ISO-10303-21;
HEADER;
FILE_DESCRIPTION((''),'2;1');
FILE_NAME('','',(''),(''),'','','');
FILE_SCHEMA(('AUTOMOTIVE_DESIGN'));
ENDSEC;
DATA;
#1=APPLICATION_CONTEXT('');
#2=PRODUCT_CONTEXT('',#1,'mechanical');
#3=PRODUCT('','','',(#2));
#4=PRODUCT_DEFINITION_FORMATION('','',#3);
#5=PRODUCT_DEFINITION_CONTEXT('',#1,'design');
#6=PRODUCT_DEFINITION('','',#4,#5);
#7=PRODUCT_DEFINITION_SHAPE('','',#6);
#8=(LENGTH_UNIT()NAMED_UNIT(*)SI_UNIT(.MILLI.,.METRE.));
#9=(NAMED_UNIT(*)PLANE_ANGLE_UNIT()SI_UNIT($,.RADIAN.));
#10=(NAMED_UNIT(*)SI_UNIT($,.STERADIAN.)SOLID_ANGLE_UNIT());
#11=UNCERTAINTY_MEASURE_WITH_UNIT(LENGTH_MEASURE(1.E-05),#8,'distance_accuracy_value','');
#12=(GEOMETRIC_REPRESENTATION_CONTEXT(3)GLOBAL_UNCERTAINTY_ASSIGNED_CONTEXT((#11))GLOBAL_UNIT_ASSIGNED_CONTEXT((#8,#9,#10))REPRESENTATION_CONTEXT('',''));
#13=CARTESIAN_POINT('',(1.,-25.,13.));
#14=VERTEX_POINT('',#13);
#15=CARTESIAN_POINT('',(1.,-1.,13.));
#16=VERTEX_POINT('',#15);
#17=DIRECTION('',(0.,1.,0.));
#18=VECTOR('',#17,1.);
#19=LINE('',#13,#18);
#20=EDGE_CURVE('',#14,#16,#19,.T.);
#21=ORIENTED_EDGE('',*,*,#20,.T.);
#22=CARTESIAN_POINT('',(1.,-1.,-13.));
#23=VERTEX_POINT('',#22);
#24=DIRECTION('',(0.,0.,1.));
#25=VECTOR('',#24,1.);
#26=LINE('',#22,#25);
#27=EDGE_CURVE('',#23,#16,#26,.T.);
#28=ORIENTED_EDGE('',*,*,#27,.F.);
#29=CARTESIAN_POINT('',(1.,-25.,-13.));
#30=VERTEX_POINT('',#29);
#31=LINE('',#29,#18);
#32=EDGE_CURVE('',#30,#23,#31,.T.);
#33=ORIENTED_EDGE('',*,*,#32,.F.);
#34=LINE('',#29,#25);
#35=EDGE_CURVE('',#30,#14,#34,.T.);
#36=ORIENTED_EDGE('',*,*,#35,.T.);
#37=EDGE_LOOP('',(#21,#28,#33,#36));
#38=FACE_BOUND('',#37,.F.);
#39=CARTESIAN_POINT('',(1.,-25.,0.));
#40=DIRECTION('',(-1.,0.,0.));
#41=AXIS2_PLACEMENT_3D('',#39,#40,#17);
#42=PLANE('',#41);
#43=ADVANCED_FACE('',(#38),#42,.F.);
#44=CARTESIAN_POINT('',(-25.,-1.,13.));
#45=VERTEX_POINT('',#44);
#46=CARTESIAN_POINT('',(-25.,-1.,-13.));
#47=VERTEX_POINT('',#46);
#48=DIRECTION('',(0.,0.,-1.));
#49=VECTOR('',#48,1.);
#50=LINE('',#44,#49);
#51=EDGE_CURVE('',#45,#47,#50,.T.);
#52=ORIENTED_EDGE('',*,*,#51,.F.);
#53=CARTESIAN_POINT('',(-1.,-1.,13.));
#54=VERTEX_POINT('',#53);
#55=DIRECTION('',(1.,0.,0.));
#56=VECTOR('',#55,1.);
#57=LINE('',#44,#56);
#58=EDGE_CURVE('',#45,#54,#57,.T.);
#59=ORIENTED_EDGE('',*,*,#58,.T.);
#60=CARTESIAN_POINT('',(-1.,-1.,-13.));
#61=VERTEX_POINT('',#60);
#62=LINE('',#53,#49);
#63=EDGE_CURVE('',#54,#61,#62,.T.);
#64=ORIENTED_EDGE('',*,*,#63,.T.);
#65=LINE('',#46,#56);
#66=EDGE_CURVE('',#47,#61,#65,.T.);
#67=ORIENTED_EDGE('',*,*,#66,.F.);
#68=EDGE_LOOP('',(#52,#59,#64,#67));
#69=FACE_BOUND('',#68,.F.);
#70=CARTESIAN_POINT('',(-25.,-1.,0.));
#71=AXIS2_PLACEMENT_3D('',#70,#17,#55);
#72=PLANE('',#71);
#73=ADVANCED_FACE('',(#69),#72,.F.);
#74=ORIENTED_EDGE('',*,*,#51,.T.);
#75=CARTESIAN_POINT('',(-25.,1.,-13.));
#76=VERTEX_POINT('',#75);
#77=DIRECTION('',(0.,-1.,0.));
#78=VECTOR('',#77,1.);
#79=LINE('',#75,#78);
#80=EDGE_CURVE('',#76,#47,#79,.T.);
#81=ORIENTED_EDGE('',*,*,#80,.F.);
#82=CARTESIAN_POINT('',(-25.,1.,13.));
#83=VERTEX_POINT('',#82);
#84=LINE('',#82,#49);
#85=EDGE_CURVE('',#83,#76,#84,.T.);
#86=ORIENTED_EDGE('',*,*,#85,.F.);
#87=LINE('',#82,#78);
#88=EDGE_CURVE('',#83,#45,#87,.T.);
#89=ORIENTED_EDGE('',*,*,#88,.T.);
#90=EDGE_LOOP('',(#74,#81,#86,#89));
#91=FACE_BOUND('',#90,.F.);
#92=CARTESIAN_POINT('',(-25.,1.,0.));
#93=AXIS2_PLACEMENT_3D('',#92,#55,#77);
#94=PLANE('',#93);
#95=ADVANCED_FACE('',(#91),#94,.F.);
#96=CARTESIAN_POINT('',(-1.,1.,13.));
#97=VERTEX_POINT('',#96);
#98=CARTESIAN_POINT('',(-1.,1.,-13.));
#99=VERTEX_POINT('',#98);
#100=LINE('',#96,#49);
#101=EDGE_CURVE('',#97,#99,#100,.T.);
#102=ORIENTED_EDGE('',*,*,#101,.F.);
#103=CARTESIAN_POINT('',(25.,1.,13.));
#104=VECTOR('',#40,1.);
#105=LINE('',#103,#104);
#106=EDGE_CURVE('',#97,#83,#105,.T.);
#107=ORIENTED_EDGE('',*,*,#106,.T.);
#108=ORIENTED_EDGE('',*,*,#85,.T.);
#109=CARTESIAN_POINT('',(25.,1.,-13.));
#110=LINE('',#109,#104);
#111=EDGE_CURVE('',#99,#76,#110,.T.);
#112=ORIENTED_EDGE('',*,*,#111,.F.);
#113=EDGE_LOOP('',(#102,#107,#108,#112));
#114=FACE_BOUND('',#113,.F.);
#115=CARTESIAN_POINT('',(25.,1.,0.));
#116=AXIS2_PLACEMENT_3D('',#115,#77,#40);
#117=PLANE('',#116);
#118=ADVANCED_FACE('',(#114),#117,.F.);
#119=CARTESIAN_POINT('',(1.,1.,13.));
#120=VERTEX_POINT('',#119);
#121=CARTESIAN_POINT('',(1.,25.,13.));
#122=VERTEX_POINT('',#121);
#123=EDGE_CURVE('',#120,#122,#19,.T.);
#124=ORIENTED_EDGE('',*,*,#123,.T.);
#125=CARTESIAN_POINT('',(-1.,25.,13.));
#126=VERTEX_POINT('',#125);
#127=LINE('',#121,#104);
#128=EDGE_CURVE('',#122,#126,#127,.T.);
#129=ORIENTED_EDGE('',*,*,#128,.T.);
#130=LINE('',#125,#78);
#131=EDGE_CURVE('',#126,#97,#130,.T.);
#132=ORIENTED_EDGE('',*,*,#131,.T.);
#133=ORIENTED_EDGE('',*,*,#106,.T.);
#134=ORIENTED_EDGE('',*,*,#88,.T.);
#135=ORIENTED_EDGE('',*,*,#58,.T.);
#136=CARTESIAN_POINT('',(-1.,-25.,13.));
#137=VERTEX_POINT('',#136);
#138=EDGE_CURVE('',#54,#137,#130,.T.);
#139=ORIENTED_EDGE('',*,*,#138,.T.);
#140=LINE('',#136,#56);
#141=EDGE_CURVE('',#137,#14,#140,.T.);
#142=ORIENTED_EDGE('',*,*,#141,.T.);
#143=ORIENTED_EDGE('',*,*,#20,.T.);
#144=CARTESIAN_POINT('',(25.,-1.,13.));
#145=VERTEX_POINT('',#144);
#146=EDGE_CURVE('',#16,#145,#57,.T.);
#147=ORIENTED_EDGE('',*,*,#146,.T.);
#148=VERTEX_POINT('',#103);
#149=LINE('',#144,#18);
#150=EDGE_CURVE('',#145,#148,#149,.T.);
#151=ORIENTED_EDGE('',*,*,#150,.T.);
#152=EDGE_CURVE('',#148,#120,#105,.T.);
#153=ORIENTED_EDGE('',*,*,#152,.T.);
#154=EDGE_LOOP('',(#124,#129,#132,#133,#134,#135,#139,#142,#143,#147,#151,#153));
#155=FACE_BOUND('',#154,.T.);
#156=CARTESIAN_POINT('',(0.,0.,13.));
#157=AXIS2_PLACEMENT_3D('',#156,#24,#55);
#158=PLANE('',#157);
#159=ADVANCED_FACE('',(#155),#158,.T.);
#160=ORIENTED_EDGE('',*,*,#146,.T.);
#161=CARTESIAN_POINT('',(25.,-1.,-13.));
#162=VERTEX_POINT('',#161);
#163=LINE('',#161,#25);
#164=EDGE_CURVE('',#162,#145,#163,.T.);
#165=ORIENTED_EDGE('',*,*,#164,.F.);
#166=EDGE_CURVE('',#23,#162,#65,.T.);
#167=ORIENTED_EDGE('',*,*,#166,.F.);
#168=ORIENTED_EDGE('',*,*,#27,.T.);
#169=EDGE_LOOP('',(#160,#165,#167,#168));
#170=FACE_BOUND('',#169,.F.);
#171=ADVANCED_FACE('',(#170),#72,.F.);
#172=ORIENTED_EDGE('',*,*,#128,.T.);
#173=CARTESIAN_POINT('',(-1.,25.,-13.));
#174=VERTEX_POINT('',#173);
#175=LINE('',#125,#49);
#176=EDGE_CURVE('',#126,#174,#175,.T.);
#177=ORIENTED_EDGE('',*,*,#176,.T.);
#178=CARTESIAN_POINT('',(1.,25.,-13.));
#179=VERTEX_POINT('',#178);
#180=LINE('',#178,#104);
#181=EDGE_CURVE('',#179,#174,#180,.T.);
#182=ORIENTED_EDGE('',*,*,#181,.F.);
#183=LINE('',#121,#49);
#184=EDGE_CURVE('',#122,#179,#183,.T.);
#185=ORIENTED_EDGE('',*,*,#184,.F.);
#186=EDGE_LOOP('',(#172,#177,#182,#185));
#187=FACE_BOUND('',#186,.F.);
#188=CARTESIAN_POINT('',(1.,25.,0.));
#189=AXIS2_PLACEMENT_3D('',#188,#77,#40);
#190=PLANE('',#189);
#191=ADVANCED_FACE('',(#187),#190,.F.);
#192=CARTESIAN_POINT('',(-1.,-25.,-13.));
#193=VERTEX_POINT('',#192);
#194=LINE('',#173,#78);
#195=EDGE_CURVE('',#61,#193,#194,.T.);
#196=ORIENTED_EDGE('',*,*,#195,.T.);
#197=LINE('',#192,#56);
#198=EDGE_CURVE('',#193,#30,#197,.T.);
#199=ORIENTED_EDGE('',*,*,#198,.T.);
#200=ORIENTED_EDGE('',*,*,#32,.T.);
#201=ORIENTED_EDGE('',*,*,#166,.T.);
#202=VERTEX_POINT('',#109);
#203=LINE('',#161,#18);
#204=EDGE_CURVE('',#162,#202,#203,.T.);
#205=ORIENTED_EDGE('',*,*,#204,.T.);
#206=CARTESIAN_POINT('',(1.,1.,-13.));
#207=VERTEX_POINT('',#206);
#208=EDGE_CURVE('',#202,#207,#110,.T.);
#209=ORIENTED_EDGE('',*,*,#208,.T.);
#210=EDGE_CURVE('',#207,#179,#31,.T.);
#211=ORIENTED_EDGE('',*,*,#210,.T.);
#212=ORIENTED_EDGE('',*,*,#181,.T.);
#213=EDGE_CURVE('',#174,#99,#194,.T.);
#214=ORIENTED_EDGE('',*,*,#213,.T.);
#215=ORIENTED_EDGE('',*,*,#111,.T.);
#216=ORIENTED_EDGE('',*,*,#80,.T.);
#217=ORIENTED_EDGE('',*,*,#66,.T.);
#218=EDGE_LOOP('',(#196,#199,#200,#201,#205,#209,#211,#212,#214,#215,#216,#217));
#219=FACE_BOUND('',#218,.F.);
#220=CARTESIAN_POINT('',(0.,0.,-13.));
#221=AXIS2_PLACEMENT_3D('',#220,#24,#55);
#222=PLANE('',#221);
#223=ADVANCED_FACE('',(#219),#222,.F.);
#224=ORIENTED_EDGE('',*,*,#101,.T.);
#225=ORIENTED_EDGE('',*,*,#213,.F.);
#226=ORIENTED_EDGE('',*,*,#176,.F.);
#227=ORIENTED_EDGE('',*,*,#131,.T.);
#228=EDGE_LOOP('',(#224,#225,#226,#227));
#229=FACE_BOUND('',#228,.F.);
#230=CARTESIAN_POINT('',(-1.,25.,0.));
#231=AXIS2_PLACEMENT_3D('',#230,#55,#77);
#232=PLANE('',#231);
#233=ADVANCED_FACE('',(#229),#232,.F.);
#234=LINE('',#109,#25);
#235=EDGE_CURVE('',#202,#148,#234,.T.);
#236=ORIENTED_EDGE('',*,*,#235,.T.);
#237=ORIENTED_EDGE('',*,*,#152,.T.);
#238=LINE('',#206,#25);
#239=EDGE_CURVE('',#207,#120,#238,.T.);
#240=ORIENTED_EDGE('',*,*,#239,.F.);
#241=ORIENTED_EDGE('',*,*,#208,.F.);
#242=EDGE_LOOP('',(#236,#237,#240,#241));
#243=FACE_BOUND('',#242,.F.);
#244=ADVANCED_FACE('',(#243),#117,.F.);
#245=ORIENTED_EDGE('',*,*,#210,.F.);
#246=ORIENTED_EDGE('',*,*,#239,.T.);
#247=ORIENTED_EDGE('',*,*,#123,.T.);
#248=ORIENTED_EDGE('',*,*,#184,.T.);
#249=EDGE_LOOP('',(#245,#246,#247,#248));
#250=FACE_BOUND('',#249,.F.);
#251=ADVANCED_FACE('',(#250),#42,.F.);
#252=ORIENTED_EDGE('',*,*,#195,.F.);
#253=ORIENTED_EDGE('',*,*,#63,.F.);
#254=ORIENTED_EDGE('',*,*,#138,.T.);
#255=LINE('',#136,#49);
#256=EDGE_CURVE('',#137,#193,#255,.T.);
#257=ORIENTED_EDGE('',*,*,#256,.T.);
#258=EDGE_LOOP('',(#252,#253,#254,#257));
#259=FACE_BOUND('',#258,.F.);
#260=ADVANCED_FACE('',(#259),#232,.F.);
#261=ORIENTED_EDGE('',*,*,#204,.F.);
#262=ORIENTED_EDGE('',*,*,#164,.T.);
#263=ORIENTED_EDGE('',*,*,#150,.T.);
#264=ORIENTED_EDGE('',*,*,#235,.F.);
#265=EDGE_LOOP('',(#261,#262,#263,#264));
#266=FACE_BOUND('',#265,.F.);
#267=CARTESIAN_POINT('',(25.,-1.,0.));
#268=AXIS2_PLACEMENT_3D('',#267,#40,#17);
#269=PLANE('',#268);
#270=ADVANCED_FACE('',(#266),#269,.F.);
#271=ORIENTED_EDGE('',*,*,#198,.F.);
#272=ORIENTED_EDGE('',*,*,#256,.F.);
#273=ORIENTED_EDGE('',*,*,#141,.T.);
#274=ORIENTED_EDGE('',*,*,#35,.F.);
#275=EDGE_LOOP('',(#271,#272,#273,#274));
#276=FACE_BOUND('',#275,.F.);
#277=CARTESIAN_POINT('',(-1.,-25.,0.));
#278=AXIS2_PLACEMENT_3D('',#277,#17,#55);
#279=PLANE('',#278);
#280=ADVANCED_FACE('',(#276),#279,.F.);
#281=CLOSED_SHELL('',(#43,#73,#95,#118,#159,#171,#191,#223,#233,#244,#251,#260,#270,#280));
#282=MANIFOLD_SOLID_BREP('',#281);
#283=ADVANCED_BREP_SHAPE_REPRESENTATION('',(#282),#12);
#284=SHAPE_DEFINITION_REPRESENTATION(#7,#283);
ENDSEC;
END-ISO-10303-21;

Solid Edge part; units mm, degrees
sketch "Sketch1" plane through (0, 0, 0) normal (0, 0, 1) x (1, 0, 0)
  line L0 (-1, -25) -> (1, -25)
  line L1 (1, -25) -> (1, 25)
  line L2 (1, 25) -> (-1, 25)
  line L3 (-1, 25) -> (-1, -25)
  line L4 (-25, -1) -> (25, -1)
  line L5 (25, -1) -> (25, 1)
  line L6 (25, 1) -> (-25, 1)
  line L7 (-25, 1) -> (-25, -1)
extrude "Protrusion1" add sketch "Sketch1" along normal mid plane 26
